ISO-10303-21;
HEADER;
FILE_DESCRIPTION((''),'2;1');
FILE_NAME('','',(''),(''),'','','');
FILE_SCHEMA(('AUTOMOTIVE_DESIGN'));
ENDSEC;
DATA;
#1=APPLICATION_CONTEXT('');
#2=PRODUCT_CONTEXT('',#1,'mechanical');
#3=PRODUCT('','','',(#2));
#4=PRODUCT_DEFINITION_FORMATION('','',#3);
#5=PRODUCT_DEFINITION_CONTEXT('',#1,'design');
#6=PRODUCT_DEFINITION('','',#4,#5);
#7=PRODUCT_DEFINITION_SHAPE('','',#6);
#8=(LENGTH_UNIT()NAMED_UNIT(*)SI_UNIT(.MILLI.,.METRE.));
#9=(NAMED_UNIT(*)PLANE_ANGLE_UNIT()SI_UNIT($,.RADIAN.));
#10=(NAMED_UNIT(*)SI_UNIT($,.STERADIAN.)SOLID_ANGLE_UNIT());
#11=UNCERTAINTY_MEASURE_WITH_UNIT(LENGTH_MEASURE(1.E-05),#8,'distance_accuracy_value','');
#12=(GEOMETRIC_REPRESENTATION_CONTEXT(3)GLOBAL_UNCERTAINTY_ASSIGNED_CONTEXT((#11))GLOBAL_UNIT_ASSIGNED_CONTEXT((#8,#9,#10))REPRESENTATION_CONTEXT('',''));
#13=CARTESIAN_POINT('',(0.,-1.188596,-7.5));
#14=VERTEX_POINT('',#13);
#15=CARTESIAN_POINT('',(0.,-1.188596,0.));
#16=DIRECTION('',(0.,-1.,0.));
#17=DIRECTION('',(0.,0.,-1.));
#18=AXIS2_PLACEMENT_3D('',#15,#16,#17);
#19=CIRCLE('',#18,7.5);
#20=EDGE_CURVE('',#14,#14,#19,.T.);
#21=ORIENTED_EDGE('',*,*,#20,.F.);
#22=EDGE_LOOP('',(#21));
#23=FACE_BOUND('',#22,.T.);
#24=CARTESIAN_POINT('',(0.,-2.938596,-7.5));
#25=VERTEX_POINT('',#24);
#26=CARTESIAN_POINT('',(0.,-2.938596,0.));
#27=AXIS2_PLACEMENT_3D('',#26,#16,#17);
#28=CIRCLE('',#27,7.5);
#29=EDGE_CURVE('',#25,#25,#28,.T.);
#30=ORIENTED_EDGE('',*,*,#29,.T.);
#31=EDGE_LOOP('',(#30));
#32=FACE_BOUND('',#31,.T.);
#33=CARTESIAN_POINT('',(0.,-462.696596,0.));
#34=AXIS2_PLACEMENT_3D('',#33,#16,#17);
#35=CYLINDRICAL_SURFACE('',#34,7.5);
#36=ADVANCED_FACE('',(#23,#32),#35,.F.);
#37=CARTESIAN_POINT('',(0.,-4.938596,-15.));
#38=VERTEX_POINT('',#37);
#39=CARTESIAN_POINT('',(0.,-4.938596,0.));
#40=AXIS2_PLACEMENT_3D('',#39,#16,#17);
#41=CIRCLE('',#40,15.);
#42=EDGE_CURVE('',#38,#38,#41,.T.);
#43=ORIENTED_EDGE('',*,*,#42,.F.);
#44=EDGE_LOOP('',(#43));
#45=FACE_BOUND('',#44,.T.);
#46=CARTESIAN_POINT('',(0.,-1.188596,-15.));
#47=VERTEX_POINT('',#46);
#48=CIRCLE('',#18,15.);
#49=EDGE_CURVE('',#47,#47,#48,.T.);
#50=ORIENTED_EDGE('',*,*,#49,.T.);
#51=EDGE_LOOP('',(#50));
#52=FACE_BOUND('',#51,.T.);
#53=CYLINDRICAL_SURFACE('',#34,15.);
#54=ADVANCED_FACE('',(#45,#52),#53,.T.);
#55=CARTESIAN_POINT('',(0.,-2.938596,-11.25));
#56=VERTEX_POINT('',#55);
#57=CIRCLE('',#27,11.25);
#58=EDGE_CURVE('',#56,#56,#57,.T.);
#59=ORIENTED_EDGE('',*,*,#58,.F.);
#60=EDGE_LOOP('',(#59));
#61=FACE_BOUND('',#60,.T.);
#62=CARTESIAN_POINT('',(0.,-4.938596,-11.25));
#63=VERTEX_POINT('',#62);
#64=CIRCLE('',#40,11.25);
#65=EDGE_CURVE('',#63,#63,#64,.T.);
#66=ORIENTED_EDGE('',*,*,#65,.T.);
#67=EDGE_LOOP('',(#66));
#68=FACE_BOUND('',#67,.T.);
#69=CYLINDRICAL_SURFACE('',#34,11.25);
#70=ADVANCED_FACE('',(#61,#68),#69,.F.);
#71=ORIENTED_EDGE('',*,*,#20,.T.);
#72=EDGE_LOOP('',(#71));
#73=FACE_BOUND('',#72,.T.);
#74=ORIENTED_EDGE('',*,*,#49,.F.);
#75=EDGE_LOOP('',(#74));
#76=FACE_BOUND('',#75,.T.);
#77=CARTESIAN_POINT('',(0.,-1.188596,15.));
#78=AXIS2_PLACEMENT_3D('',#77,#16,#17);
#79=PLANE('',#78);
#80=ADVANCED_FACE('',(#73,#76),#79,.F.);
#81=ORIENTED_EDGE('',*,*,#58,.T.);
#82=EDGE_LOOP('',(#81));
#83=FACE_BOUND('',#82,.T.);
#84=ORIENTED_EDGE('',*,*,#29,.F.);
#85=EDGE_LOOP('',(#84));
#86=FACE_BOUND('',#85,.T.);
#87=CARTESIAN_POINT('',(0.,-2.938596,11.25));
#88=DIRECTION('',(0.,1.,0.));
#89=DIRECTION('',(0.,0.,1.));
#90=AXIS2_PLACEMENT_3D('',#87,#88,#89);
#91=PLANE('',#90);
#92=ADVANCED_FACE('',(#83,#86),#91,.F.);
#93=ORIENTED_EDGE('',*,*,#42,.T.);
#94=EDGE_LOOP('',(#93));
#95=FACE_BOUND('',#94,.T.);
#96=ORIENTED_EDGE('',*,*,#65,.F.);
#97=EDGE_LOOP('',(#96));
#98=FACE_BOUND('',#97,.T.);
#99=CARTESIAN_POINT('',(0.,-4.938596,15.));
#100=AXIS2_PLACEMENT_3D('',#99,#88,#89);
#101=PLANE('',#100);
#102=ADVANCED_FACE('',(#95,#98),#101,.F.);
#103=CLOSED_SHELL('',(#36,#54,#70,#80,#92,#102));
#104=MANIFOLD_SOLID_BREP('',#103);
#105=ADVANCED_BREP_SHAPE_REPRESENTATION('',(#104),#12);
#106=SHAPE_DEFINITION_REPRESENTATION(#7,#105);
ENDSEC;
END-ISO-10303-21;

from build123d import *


with BuildPart() as part:
    # Sketch1 → Revolve1 (revolve)
    with BuildSketch(Plane(origin=(0, 0, 0), x_dir=(0, 0, -1), z_dir=(1, 0, 0)), mode=Mode.PRIVATE) as revolve1_sk:
        Polygon((-11.25, -2.938596491), (-11.25, -4.938596491), (-15, -4.938596491), (-15, -1.188596491), (-7.5, -1.188596491), (-7.5, -2.938596491), align=None)
    revolve(revolve1_sk.sketch.rotate(Axis((0, -462.696595862, 0), (0, 1, 0)), 180), axis=Axis((0, -462.696595862, 0), (0, 1, 0)))


solid = part.part
